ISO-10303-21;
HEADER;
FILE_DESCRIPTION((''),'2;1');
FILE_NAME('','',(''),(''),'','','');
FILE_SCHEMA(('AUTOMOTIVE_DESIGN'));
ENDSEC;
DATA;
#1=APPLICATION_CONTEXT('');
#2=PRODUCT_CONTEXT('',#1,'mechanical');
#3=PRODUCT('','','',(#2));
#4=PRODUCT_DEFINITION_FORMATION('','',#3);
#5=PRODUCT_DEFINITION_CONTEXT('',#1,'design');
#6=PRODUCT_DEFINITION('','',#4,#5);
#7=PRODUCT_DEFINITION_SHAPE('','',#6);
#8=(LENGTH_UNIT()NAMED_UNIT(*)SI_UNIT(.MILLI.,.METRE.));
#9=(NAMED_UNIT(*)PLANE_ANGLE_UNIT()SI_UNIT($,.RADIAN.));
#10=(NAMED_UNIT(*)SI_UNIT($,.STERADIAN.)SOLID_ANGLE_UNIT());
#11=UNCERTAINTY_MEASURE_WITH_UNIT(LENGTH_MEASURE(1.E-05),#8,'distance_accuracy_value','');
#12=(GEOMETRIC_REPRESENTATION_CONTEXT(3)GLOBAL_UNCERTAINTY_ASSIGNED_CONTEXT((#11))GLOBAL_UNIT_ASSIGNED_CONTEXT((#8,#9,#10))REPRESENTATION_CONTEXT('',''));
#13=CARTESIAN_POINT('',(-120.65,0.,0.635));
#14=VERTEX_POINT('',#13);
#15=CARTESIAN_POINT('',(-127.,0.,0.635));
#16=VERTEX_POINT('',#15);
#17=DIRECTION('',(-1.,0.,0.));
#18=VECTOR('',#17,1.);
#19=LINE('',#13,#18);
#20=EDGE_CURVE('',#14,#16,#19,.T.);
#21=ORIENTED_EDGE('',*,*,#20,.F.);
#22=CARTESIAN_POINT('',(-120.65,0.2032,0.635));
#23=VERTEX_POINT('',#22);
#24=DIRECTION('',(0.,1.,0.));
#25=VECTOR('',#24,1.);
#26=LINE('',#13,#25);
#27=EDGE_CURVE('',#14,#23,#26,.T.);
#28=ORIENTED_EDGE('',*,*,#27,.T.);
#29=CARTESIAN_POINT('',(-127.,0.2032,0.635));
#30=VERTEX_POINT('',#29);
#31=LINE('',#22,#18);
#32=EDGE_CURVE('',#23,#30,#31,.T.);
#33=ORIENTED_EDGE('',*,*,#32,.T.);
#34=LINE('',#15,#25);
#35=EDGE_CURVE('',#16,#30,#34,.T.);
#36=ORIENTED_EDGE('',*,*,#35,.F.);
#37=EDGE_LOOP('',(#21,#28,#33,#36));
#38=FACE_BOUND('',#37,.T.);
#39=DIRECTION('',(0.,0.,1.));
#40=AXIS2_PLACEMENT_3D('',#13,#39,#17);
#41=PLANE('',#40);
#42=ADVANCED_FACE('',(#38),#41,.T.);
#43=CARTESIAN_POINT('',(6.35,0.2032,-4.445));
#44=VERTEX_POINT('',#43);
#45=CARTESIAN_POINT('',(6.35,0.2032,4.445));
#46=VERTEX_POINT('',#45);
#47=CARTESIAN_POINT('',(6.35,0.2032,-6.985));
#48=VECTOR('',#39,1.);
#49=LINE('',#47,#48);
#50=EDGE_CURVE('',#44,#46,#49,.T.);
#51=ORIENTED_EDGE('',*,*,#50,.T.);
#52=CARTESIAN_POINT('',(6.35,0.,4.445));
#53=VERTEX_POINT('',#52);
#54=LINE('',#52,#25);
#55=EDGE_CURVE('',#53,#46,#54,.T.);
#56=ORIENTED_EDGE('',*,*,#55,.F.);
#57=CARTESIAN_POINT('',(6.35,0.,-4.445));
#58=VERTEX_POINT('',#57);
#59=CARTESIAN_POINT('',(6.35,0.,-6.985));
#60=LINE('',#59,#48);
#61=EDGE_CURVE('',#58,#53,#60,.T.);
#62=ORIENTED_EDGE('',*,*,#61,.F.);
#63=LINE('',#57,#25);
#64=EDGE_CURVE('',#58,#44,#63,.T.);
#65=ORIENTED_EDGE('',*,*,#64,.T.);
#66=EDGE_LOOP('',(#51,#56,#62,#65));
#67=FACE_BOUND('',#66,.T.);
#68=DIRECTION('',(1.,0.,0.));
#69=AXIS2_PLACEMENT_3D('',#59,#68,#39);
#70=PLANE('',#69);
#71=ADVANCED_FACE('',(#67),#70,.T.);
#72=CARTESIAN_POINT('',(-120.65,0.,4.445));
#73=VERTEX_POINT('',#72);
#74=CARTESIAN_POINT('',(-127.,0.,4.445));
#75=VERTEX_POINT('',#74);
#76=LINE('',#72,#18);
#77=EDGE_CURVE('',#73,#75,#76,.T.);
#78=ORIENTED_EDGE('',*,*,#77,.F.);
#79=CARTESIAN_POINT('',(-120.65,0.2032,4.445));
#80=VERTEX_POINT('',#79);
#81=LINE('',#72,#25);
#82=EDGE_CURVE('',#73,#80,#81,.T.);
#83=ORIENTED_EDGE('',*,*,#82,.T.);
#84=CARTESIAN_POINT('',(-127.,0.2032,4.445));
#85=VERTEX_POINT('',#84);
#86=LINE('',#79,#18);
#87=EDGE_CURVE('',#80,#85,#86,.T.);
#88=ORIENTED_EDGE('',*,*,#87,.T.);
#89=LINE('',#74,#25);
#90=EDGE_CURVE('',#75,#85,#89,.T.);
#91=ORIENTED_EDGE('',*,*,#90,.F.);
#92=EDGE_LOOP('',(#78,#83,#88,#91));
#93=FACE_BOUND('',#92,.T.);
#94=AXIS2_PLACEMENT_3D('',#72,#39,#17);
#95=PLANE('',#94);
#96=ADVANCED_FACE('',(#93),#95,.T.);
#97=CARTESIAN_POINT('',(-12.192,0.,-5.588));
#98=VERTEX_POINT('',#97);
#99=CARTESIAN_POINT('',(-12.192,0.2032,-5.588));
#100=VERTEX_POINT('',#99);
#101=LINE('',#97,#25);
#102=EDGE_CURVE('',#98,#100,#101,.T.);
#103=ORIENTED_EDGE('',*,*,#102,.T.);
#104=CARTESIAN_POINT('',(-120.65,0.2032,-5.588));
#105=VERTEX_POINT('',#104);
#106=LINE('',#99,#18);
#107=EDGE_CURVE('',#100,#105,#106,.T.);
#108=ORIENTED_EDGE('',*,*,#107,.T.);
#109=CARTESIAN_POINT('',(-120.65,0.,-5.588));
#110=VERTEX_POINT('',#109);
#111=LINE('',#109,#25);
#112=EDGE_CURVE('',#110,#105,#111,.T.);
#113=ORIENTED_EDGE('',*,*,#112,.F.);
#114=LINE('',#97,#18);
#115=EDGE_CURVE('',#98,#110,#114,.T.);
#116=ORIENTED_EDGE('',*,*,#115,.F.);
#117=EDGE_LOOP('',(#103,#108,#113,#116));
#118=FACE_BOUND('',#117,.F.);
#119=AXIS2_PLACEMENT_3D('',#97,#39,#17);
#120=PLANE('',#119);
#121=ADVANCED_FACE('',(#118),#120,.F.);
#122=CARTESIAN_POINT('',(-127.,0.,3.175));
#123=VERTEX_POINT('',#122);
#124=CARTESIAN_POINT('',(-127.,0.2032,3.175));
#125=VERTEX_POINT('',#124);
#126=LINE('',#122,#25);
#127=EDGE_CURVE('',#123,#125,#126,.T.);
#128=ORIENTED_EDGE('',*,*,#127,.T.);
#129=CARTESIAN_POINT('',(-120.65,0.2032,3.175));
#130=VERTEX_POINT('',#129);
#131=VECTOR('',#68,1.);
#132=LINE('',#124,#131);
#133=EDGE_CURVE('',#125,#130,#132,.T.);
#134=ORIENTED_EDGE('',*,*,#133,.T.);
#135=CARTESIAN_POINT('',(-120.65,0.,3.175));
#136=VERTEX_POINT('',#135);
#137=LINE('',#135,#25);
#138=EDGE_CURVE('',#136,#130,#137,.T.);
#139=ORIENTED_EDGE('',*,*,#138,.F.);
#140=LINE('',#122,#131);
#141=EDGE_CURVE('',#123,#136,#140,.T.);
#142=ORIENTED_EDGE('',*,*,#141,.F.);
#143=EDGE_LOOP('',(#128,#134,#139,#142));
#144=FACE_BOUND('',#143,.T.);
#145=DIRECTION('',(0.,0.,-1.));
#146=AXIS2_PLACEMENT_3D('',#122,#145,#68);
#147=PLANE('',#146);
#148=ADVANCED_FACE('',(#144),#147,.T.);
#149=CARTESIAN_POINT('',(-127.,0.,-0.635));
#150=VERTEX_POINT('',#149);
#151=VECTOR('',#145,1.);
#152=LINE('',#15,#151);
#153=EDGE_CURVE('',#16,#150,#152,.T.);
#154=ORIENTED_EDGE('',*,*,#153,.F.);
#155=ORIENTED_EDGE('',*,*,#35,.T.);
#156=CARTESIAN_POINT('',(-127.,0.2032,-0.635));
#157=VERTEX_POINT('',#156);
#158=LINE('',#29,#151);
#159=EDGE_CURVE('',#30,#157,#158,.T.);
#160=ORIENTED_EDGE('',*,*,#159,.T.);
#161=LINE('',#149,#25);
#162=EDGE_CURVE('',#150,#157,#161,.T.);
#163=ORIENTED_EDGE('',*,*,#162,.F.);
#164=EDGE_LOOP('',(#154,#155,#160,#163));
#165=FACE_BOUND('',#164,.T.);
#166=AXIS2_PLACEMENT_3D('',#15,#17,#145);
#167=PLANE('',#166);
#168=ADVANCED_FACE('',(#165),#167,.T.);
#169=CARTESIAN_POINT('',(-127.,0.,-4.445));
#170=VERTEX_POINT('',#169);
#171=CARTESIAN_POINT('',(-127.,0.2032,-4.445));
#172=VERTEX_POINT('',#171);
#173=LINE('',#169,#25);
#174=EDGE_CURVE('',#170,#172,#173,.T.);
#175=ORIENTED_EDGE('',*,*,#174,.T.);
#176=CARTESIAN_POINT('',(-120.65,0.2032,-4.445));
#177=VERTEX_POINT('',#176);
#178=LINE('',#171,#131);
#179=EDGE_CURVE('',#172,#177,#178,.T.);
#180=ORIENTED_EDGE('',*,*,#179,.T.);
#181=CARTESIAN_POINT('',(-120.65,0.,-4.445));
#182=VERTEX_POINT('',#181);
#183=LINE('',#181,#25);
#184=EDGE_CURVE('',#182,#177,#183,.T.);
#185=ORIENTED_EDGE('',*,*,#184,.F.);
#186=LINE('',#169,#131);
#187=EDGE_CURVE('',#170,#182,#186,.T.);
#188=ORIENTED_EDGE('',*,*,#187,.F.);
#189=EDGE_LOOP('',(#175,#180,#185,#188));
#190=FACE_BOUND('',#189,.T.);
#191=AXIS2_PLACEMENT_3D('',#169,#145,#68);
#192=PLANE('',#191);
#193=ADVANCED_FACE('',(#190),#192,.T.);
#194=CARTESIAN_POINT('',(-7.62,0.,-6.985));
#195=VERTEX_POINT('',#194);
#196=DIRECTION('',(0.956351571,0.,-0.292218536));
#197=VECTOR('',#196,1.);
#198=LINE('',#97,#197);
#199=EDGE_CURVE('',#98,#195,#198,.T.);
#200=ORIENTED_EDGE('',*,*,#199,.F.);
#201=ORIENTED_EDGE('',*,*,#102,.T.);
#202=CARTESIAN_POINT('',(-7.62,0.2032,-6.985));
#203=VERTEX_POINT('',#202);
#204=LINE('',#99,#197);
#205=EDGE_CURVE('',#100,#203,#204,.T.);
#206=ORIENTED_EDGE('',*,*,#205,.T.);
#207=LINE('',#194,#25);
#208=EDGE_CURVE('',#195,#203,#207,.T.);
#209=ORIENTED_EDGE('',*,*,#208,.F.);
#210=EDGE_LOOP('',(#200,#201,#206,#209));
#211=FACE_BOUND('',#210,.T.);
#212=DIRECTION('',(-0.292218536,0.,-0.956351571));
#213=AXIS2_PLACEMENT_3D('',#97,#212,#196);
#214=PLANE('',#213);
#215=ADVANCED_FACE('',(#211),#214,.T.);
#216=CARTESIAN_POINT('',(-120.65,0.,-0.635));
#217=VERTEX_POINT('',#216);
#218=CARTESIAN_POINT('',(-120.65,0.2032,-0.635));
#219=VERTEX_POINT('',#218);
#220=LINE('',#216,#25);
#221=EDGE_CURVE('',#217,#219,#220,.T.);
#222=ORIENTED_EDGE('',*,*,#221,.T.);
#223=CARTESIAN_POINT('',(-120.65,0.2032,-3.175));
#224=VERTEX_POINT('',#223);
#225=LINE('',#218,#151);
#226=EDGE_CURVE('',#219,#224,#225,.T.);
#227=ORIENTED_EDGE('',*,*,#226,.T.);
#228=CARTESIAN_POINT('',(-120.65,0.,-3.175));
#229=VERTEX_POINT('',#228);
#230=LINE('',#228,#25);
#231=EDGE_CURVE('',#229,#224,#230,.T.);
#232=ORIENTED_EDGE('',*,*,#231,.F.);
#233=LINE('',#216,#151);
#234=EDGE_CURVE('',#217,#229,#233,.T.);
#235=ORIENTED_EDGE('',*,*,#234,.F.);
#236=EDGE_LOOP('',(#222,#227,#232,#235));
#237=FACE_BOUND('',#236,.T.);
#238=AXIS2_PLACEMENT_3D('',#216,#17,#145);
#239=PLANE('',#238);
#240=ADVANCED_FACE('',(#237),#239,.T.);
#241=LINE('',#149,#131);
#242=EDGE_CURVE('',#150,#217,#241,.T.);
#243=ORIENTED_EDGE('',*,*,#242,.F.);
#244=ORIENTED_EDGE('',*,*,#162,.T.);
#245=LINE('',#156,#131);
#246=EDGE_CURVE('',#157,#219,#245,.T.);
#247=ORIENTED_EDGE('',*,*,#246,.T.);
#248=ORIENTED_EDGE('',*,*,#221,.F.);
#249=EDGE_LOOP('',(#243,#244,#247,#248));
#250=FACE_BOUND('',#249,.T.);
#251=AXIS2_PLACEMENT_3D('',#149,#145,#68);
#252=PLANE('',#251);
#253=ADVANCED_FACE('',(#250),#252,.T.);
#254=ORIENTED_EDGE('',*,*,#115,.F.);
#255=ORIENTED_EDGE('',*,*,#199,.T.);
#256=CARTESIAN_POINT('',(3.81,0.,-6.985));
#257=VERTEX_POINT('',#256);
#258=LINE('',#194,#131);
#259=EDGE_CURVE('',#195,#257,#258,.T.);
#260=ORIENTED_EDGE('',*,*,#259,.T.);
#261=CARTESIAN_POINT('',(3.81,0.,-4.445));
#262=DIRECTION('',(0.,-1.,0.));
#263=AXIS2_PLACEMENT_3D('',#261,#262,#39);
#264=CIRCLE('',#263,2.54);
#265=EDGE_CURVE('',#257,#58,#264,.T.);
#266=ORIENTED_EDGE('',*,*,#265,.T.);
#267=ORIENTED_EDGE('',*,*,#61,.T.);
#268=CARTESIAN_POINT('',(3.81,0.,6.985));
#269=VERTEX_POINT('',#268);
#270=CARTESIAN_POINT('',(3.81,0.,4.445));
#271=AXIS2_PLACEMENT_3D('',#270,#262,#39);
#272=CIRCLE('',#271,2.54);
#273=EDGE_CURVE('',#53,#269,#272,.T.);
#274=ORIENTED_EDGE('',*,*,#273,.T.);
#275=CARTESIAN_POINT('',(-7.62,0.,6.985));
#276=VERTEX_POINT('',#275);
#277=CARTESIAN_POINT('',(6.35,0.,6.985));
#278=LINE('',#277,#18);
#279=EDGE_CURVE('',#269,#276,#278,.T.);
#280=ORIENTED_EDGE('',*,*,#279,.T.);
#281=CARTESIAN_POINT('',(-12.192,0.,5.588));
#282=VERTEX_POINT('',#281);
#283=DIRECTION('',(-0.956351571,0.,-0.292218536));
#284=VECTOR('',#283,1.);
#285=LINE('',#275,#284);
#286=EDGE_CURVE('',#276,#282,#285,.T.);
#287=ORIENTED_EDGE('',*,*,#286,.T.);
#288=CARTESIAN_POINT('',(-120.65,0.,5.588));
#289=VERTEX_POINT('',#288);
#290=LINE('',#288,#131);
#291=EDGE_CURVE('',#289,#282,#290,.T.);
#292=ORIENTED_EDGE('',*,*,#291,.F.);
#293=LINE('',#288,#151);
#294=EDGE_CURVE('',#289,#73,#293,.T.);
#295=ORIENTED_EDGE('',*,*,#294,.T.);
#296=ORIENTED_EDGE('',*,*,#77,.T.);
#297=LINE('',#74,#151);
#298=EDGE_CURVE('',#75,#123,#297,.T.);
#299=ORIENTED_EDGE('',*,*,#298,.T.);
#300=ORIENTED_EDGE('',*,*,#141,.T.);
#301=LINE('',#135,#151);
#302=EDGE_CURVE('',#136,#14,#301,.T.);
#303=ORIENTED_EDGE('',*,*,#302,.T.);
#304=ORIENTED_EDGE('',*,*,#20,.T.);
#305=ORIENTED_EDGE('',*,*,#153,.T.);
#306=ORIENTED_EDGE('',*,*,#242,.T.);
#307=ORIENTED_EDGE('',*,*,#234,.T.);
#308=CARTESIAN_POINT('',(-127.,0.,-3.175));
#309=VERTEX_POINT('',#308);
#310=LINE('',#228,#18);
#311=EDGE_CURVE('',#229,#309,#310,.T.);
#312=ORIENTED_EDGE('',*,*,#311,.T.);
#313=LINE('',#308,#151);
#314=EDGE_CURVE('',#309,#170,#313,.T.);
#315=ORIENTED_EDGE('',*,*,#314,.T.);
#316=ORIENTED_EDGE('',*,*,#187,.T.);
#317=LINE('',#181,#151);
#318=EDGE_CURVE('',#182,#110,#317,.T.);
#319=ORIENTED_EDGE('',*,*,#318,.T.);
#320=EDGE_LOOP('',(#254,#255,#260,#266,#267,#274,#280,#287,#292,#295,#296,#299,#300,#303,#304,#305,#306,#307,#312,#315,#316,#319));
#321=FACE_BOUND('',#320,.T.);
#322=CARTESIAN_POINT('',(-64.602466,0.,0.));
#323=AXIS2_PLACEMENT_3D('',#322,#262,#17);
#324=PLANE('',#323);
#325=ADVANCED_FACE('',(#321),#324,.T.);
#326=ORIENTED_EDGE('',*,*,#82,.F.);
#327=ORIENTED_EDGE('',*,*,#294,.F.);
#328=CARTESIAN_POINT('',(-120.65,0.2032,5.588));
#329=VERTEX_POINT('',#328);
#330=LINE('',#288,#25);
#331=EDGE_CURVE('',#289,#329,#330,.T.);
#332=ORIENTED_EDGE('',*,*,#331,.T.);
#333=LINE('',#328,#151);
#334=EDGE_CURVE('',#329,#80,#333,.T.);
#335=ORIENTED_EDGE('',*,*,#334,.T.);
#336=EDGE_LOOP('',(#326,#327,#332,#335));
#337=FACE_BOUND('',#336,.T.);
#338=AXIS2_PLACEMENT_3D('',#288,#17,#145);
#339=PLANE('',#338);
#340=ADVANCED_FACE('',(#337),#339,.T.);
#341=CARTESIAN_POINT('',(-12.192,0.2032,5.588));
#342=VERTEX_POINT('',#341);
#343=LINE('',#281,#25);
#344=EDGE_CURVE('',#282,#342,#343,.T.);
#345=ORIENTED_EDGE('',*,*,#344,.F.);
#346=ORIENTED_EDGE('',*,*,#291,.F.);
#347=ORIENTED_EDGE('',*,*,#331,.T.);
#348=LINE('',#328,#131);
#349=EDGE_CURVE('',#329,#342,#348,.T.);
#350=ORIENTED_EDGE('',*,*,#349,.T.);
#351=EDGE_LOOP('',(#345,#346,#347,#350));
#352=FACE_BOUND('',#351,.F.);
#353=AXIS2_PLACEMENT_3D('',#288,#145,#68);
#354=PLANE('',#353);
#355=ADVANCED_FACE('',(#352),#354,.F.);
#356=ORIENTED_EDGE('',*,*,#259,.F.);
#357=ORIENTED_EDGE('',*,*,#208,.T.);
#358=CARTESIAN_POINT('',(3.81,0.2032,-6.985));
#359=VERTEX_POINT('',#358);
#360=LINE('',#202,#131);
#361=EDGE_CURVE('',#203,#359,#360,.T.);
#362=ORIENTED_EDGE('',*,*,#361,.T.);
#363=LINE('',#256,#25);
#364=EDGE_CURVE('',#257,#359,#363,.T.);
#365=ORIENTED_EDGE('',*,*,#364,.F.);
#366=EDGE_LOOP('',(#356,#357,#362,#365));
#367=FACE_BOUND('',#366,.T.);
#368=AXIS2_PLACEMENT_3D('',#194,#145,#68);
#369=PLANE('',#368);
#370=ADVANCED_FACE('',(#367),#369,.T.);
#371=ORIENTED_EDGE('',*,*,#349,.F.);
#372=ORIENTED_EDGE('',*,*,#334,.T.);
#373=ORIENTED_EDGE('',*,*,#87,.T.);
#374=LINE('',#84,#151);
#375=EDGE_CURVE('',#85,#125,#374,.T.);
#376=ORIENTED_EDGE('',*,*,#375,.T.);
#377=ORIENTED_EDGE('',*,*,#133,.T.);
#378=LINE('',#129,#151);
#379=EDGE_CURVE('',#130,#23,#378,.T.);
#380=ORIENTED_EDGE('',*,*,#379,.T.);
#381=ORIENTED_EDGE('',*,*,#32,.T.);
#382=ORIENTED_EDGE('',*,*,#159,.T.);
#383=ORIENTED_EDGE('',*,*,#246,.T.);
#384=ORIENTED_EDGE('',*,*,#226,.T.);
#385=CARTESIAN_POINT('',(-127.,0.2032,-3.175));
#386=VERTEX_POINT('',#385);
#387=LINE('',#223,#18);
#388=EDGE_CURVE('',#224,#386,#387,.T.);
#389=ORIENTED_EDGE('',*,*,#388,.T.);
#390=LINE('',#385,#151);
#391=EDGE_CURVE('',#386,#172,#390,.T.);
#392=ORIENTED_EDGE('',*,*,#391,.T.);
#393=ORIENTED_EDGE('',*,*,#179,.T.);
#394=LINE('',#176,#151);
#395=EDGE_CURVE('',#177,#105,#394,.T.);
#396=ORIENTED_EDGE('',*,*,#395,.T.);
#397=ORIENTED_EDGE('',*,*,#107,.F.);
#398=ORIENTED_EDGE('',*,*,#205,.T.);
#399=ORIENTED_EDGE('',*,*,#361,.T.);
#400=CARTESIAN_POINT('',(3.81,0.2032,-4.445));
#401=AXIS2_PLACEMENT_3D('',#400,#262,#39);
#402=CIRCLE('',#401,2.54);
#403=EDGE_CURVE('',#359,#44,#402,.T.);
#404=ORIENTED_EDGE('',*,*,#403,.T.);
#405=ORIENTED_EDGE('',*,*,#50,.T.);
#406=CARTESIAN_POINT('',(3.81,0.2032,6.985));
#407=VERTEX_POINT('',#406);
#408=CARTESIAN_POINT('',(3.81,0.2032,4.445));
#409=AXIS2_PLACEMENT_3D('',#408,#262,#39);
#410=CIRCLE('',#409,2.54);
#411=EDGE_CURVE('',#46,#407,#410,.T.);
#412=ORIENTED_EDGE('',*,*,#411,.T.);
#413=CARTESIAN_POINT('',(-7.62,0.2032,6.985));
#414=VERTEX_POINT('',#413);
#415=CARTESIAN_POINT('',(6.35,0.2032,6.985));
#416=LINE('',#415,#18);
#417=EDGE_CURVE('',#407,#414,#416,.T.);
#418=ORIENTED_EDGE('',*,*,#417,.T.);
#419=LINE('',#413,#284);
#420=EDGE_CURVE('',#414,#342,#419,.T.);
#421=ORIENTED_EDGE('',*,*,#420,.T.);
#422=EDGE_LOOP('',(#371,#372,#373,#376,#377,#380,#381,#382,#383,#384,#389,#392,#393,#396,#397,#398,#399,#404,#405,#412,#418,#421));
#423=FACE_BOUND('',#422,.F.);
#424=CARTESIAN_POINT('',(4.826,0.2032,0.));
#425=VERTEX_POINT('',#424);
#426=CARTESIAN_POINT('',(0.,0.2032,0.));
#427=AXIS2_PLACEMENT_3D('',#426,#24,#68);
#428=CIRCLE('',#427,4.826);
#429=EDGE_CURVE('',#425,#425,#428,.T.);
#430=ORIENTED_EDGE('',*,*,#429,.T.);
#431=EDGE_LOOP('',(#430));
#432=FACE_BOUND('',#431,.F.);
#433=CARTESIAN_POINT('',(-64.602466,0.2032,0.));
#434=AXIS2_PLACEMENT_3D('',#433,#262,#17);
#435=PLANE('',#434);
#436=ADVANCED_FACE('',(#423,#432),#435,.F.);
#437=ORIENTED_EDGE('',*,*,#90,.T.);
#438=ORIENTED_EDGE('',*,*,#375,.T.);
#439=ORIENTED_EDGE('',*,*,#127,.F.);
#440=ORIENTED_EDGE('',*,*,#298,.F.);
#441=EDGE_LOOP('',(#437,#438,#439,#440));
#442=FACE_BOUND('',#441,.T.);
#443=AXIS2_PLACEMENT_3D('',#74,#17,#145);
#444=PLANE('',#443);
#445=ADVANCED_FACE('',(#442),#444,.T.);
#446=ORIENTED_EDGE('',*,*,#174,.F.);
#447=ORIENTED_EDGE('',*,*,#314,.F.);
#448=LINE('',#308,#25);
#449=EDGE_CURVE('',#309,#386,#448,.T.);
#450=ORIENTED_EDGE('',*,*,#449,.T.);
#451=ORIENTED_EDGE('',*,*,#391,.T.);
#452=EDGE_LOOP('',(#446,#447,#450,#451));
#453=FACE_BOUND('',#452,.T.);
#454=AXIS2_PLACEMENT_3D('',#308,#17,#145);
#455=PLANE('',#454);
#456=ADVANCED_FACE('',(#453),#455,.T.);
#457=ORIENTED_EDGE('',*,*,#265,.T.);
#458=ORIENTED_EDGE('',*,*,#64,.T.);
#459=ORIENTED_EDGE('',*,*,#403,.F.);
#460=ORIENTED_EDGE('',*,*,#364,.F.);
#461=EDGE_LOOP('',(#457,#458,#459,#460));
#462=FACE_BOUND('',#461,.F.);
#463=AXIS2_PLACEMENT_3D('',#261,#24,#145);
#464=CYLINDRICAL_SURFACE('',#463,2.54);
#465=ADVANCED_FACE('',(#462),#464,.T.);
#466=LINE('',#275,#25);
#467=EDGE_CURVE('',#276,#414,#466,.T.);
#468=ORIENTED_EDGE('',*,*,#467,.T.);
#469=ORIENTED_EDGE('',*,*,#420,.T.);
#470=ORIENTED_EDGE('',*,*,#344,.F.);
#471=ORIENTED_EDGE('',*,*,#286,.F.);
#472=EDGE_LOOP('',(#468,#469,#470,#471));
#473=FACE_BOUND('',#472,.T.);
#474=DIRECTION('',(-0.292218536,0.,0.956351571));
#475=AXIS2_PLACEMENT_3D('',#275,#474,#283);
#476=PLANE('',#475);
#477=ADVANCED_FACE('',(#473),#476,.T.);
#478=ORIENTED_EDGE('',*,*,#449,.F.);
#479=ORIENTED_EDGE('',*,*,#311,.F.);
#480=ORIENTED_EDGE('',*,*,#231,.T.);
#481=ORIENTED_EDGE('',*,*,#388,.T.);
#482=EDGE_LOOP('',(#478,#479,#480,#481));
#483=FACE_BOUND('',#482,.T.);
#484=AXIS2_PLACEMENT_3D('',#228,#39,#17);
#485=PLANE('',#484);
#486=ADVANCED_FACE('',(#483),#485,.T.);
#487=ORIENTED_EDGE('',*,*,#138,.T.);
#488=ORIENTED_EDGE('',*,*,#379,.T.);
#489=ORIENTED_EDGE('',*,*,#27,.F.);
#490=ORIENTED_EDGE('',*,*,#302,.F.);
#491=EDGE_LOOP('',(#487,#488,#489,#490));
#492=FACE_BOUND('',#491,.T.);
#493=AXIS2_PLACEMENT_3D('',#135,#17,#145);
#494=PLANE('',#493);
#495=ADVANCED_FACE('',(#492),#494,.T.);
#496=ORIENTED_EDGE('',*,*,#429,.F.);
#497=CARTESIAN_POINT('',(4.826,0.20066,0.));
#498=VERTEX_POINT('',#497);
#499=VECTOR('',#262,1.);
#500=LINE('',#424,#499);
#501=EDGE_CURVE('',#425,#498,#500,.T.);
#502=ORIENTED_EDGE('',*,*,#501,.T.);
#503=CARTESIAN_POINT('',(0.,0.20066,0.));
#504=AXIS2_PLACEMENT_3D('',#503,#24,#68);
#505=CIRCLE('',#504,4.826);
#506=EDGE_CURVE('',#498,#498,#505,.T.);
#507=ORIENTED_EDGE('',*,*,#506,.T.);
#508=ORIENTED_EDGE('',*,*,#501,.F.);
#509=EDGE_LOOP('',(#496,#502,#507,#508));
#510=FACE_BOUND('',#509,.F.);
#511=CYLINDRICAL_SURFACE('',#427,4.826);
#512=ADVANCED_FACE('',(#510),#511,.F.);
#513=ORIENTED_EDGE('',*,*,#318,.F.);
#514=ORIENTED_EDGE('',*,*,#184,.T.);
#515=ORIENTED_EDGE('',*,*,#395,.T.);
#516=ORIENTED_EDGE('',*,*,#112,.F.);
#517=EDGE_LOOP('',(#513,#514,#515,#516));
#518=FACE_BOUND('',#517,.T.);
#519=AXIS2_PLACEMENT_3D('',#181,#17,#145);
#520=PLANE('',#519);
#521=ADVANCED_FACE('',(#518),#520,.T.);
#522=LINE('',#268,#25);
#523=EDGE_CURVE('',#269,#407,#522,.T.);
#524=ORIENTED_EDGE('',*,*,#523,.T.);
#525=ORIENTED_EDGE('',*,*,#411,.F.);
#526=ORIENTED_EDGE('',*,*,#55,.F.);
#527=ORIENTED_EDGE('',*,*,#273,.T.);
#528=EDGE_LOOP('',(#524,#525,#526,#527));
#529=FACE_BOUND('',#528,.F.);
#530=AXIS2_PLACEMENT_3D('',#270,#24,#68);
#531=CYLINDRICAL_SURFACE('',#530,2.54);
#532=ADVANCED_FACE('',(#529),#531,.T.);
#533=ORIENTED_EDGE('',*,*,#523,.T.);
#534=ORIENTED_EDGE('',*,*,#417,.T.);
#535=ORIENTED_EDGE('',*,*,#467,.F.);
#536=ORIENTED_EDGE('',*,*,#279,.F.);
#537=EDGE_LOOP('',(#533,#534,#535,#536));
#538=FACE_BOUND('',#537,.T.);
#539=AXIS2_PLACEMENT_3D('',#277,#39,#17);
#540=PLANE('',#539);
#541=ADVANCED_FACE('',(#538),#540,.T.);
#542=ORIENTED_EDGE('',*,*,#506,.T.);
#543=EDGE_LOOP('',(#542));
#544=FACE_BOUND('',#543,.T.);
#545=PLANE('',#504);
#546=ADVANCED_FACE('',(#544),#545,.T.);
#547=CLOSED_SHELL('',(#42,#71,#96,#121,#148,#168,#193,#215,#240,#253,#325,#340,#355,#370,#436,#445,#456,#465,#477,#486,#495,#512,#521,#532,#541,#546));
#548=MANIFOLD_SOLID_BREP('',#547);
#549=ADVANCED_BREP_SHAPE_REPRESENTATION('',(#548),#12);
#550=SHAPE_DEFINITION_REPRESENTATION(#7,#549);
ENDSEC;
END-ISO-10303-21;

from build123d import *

# Parameters (mm, degrees)
BOSS_EXTRUDE1_DEPTH = 0.2032
SKETCH2_R           = 4.826
CUT_EXTRUDE1_DEPTH  = 0.00254
FILLET1_R           = 2.54


with BuildPart() as part:
    # Sketch1 → Boss-Extrude1 (new body)
    with BuildSketch(Plane(origin=(0, 0, 0), x_dir=(1, 0, 0), z_dir=(0, 1, 0))):
        Polygon((-120.65, -0.635), (-127, -0.635), (-127, 0.635), (-120.65, 0.635), (-120.65, 3.175), (-127, 3.175), (-127, 4.445), (-120.65, 4.445), (-120.65, 5.588), (-108.748705113, 5.588), (-12.192, 5.588), (-7.62, 6.985), (6.35, 6.985), (6.35, -6.985), (-7.62, -6.985), (-12.192, -5.588), (-108.748705113, -5.588), (-120.65, -5.588), (-120.65, -4.445), (-127, -4.445), (-127, -3.175), (-120.65, -3.175), align=None)
    extrude(amount=BOSS_EXTRUDE1_DEPTH)

    # Sketch2 → Cut-Extrude1 (cut)
    with BuildSketch(Plane(origin=(0, 0.2032, 0), x_dir=(1, 0, 0), z_dir=(0, 1, 0))):
        Circle(SKETCH2_R)
    extrude(amount=-CUT_EXTRUDE1_DEPTH, mode=Mode.SUBTRACT)

    # Fillet1
    fillet1_edges = [part.edges().sort_by_distance(p)[0] for p in [
        (6.35, 0.1016, -6.985),
        (6.35, 0.1016, 6.985),
    ]]
    fillet(fillet1_edges, radius=FILLET1_R)


solid = part.part
